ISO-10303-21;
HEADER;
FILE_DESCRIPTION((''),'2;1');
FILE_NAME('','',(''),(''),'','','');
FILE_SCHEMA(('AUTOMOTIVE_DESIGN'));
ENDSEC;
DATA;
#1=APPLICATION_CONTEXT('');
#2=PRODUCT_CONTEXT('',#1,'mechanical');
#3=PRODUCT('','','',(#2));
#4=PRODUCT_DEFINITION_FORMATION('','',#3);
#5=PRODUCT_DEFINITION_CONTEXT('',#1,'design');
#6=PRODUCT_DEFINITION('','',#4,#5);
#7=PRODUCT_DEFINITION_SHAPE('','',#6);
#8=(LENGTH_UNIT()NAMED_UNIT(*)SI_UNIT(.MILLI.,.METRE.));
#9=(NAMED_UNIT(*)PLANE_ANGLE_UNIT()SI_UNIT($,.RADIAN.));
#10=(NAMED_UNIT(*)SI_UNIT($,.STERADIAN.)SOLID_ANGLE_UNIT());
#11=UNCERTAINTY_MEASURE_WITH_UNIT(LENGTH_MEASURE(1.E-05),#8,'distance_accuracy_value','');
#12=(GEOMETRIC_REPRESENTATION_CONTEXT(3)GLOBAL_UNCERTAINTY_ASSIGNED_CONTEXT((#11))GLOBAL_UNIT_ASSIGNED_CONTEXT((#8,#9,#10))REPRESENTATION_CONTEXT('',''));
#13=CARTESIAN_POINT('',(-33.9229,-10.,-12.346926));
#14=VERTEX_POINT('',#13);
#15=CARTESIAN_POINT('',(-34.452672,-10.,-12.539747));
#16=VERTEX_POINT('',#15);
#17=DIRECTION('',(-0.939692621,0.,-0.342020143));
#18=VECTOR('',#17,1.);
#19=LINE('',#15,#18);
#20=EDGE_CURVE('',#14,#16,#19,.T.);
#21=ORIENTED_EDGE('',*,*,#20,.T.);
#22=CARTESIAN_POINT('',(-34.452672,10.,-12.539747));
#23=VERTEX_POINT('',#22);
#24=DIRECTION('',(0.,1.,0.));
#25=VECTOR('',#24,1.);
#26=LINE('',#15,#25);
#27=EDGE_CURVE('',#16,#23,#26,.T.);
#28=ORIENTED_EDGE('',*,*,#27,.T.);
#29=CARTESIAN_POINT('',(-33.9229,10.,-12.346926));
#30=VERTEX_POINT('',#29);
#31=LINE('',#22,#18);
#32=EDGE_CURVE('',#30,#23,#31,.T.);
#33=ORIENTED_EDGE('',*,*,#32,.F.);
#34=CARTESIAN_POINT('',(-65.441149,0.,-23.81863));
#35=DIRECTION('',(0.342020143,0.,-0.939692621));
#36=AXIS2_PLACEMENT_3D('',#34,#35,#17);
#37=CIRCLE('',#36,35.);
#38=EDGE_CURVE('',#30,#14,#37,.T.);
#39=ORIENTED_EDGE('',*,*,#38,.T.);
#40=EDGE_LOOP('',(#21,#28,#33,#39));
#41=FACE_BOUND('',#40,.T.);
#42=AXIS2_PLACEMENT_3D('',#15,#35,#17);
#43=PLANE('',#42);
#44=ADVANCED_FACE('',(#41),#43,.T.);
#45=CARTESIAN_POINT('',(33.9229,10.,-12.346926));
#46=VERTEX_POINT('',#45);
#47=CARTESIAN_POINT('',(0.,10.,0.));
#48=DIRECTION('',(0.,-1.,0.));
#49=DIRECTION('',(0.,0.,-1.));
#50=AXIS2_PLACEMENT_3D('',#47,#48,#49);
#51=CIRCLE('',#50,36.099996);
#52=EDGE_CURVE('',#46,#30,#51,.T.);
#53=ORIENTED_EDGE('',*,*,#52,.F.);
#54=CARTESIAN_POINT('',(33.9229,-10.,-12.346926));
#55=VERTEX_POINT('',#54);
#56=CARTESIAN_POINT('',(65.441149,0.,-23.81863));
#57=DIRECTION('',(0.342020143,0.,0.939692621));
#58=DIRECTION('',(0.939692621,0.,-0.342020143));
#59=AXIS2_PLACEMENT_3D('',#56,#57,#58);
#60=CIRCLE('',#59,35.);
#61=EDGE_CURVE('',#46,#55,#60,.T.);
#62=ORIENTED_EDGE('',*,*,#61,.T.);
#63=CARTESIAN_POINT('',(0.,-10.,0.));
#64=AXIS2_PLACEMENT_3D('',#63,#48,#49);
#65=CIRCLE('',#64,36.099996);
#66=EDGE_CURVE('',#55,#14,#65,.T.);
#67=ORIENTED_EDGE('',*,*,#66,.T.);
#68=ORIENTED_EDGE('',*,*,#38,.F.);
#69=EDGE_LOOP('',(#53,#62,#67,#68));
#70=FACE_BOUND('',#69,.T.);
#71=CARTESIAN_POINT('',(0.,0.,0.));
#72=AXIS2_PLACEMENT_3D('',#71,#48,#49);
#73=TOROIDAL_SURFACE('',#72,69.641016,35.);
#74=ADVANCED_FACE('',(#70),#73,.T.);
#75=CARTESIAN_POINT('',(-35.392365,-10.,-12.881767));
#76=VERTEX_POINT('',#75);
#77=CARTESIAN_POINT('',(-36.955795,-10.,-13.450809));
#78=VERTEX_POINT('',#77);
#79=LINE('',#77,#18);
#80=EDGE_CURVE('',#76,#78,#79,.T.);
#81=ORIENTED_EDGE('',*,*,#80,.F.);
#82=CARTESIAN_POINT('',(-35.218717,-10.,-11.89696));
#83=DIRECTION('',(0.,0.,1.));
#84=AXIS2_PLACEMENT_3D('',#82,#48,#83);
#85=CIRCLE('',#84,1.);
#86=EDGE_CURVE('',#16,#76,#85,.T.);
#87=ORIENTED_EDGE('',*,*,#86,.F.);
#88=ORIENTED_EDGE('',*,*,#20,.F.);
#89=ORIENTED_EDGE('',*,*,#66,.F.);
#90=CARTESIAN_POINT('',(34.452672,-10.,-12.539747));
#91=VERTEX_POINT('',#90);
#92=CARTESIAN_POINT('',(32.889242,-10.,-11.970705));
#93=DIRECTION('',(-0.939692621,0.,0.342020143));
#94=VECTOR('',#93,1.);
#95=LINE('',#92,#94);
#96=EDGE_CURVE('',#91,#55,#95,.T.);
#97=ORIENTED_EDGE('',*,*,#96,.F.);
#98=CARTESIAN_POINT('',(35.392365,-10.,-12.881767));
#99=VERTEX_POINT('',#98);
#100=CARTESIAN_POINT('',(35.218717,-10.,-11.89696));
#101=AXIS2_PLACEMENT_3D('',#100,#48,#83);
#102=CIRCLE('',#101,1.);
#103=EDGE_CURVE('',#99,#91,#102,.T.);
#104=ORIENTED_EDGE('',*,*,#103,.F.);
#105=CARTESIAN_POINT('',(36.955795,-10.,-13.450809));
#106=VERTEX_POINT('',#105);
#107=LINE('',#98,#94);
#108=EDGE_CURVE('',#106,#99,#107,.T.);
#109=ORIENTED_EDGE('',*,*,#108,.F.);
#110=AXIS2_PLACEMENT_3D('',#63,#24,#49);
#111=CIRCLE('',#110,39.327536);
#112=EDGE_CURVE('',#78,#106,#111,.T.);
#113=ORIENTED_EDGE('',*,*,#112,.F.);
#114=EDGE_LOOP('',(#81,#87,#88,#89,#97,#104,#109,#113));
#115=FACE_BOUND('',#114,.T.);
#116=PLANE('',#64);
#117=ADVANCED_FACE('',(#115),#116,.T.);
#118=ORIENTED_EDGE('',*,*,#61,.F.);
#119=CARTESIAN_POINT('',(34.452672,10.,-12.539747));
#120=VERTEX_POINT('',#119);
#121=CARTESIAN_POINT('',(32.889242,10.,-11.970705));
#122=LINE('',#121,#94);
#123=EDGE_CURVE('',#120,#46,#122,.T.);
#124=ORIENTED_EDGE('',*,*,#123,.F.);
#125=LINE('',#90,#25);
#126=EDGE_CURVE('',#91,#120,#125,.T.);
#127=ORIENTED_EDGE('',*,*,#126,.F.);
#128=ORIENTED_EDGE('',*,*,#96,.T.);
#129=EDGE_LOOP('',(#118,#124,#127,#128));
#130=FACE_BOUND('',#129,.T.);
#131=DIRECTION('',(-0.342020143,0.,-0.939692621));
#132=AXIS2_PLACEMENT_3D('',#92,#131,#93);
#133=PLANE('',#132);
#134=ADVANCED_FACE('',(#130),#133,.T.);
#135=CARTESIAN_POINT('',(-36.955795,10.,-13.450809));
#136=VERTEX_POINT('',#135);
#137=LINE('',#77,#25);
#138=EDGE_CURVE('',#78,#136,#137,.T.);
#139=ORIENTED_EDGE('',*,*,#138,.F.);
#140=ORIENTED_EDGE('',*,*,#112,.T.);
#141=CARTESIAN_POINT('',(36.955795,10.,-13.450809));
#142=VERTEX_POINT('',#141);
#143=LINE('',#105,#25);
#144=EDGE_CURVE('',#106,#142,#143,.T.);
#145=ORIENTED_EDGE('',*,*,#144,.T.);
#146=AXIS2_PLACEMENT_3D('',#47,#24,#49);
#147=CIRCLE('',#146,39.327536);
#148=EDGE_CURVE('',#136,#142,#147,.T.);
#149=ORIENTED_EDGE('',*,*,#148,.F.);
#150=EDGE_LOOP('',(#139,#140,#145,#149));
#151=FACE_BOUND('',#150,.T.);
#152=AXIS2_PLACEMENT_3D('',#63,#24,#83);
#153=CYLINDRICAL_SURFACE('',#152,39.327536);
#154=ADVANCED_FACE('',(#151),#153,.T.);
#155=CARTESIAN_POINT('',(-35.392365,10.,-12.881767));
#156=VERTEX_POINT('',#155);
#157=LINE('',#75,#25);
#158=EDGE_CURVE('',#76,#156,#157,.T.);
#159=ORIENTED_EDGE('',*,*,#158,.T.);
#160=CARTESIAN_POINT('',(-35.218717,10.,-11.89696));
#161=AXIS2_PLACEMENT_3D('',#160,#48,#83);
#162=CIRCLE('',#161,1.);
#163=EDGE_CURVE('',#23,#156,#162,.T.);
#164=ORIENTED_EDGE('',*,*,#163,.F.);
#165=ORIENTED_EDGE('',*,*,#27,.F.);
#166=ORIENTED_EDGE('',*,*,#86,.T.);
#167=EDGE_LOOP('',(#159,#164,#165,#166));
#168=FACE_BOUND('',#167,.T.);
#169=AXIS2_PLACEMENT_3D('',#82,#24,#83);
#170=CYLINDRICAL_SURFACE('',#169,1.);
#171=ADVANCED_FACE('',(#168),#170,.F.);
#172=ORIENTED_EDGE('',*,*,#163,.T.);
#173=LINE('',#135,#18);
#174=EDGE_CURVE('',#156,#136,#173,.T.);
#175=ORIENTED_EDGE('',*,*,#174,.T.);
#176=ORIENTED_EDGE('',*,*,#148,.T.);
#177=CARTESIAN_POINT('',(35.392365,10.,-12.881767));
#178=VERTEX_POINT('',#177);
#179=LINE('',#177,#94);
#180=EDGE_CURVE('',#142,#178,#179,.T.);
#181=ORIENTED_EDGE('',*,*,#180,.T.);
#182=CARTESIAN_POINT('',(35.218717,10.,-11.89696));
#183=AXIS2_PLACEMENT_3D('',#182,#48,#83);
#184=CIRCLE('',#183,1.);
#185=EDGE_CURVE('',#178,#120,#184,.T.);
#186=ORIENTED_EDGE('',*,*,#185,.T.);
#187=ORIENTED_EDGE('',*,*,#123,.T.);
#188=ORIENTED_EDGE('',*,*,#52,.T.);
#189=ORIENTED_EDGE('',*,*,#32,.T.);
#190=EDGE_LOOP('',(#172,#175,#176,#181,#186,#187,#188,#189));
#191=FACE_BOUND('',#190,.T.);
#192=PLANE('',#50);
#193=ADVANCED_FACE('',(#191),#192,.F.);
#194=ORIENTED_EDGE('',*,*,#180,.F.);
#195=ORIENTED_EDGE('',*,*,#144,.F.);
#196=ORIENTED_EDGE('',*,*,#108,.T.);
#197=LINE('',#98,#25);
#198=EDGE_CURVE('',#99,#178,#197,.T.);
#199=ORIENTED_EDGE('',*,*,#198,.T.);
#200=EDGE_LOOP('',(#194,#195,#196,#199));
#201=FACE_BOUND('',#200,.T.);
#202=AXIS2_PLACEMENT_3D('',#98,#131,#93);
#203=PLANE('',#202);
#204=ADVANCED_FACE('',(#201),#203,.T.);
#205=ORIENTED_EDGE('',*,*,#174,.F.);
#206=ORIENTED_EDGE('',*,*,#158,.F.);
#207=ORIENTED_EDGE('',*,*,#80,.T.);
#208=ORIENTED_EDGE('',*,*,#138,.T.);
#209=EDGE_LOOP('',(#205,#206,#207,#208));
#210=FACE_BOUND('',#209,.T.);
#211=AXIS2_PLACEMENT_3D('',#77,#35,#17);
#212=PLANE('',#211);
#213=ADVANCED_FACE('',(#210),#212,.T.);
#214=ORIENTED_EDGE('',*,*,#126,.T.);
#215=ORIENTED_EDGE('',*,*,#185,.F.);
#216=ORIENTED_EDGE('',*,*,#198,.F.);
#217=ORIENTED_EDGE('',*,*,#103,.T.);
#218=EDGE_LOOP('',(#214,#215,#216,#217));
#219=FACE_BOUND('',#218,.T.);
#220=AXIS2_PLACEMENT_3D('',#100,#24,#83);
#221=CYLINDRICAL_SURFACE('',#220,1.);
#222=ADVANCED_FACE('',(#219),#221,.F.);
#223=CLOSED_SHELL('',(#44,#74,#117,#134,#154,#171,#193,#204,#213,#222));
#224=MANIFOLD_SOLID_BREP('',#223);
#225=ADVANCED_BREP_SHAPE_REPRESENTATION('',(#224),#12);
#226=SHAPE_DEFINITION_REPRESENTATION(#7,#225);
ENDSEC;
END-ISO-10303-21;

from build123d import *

# Parameters (mm, degrees)
FUNDAMETAL_DIMENSIONS_DEPTH           = 10
FUNDAMETAL_DIMENSIONS_DEPTH_BACK      = 10
ROUND_INSIDE_CUT_ANGLE                = 110
ROUND_INSIDE_CUT_OTHER_WAY_ANGLE      = 110
ROUND_INSIDE_EXTRUDED_ANGLE           = 110
ROUND_INSIDE_EXTRUDED_OTHER_WAY_ANGLE = 110


with BuildPart() as part:
    # Sketch3 → Fundametal Dimensions (new, two sides: drawn at the far end of the back side and taken through both)
    with BuildSketch(Plane(origin=(0, 0, 0), x_dir=(1, 0, 0), z_dir=(0, 1, 0)).offset(-FUNDAMETAL_DIMENSIONS_DEPTH_BACK)):
        with BuildLine():
            Line((-36.955795179, 13.450809429), (-35.392364764, 12.881767294))
            ThreePointArc((-35.392364764, 12.881767294), (-35.560736729, 10.95726692), (-34.452672143, 12.539747151))
            Line((-34.452672143, 12.539747151), (-32.889241728, 11.970705016))
            ThreePointArc((-32.889241728, 11.970705016), (0, -35), (32.889241728, 11.970705016))
            Line((32.889241728, 11.970705016), (34.452672143, 12.539747151))
            ThreePointArc((34.452672143, 12.539747151), (35.560736729, 10.95726692), (35.392364764, 12.881767294))
            Line((35.392364764, 12.881767294), (36.955795179, 13.450809429))
            ThreePointArc((36.955795179, 13.450809429), (0, -39.327535793), (-36.955795179, 13.450809429))
        make_face()
    extrude(amount=FUNDAMETAL_DIMENSIONS_DEPTH + FUNDAMETAL_DIMENSIONS_DEPTH_BACK)

    # Sketch9 → Round Inside Cut (revolve, cut)
    with BuildSketch(Plane(origin=(0, 0, 0), x_dir=(0, 0, -1), z_dir=(1, 0, 0))):
        with BuildLine():
            Line((-36.099996489, 10), (-35, 10))
            Line((-35, 10), (-35, 5))
            ThreePointArc((-35, 5), (-35.45845478, 7.520139498), (-36.099996489, 10))
        make_face()
        with BuildLine():
            Line((-36.099996489, -10), (-35, -10))
            Line((-35, -10), (-35, -5))
            ThreePointArc((-35, -5), (-35.45845478, -7.520139498), (-36.099996489, -10))
        make_face()
    revolve(axis=Axis((0, -20, 0), (0, 1, 0)), revolution_arc=ROUND_INSIDE_CUT_ANGLE, mode=Mode.SUBTRACT)

    # Sketch9 → Round Inside Cut other way (revolve, cut)
    with BuildSketch(Plane(origin=(0, 0, 0), x_dir=(0, 0, -1), z_dir=(1, 0, 0))):
        with BuildLine():
            Line((-36.099996489, 10), (-35, 10))
            Line((-35, 10), (-35, 5))
            ThreePointArc((-35, 5), (-35.45845478, 7.520139498), (-36.099996489, 10))
        make_face()
        with BuildLine():
            Line((-36.099996489, -10), (-35, -10))
            Line((-35, -10), (-35, -5))
            ThreePointArc((-35, -5), (-35.45845478, -7.520139498), (-36.099996489, -10))
        make_face()
    revolve(axis=Axis((0, -20, 0), (0, -1, 0)), revolution_arc=ROUND_INSIDE_CUT_OTHER_WAY_ANGLE, mode=Mode.SUBTRACT)

    # Sketch10 → Round Inside Extruded (revolve)
    with BuildSketch(Plane(origin=(0, 0, 0), x_dir=(0, 0, -1), z_dir=(1, 0, 0))):
        with BuildLine():
            Line((-35, 5), (-35, -5))
            ThreePointArc((-35, -5), (-34.641016151, 0), (-35, 5))
        make_face()
    revolve(axis=Axis((0, -20, 0), (0, 1, 0)), revolution_arc=ROUND_INSIDE_EXTRUDED_ANGLE)

    # Sketch10 → Round Inside Extruded other way (revolve)
    with BuildSketch(Plane(origin=(0, 0, 0), x_dir=(0, 0, -1), z_dir=(1, 0, 0))):
        with BuildLine():
            Line((-35, 5), (-35, -5))
            ThreePointArc((-35, -5), (-34.641016151, 0), (-35, 5))
        make_face()
    revolve(axis=Axis((0, -20, 0), (0, -1, 0)), revolution_arc=ROUND_INSIDE_EXTRUDED_OTHER_WAY_ANGLE)


solid = part.part
